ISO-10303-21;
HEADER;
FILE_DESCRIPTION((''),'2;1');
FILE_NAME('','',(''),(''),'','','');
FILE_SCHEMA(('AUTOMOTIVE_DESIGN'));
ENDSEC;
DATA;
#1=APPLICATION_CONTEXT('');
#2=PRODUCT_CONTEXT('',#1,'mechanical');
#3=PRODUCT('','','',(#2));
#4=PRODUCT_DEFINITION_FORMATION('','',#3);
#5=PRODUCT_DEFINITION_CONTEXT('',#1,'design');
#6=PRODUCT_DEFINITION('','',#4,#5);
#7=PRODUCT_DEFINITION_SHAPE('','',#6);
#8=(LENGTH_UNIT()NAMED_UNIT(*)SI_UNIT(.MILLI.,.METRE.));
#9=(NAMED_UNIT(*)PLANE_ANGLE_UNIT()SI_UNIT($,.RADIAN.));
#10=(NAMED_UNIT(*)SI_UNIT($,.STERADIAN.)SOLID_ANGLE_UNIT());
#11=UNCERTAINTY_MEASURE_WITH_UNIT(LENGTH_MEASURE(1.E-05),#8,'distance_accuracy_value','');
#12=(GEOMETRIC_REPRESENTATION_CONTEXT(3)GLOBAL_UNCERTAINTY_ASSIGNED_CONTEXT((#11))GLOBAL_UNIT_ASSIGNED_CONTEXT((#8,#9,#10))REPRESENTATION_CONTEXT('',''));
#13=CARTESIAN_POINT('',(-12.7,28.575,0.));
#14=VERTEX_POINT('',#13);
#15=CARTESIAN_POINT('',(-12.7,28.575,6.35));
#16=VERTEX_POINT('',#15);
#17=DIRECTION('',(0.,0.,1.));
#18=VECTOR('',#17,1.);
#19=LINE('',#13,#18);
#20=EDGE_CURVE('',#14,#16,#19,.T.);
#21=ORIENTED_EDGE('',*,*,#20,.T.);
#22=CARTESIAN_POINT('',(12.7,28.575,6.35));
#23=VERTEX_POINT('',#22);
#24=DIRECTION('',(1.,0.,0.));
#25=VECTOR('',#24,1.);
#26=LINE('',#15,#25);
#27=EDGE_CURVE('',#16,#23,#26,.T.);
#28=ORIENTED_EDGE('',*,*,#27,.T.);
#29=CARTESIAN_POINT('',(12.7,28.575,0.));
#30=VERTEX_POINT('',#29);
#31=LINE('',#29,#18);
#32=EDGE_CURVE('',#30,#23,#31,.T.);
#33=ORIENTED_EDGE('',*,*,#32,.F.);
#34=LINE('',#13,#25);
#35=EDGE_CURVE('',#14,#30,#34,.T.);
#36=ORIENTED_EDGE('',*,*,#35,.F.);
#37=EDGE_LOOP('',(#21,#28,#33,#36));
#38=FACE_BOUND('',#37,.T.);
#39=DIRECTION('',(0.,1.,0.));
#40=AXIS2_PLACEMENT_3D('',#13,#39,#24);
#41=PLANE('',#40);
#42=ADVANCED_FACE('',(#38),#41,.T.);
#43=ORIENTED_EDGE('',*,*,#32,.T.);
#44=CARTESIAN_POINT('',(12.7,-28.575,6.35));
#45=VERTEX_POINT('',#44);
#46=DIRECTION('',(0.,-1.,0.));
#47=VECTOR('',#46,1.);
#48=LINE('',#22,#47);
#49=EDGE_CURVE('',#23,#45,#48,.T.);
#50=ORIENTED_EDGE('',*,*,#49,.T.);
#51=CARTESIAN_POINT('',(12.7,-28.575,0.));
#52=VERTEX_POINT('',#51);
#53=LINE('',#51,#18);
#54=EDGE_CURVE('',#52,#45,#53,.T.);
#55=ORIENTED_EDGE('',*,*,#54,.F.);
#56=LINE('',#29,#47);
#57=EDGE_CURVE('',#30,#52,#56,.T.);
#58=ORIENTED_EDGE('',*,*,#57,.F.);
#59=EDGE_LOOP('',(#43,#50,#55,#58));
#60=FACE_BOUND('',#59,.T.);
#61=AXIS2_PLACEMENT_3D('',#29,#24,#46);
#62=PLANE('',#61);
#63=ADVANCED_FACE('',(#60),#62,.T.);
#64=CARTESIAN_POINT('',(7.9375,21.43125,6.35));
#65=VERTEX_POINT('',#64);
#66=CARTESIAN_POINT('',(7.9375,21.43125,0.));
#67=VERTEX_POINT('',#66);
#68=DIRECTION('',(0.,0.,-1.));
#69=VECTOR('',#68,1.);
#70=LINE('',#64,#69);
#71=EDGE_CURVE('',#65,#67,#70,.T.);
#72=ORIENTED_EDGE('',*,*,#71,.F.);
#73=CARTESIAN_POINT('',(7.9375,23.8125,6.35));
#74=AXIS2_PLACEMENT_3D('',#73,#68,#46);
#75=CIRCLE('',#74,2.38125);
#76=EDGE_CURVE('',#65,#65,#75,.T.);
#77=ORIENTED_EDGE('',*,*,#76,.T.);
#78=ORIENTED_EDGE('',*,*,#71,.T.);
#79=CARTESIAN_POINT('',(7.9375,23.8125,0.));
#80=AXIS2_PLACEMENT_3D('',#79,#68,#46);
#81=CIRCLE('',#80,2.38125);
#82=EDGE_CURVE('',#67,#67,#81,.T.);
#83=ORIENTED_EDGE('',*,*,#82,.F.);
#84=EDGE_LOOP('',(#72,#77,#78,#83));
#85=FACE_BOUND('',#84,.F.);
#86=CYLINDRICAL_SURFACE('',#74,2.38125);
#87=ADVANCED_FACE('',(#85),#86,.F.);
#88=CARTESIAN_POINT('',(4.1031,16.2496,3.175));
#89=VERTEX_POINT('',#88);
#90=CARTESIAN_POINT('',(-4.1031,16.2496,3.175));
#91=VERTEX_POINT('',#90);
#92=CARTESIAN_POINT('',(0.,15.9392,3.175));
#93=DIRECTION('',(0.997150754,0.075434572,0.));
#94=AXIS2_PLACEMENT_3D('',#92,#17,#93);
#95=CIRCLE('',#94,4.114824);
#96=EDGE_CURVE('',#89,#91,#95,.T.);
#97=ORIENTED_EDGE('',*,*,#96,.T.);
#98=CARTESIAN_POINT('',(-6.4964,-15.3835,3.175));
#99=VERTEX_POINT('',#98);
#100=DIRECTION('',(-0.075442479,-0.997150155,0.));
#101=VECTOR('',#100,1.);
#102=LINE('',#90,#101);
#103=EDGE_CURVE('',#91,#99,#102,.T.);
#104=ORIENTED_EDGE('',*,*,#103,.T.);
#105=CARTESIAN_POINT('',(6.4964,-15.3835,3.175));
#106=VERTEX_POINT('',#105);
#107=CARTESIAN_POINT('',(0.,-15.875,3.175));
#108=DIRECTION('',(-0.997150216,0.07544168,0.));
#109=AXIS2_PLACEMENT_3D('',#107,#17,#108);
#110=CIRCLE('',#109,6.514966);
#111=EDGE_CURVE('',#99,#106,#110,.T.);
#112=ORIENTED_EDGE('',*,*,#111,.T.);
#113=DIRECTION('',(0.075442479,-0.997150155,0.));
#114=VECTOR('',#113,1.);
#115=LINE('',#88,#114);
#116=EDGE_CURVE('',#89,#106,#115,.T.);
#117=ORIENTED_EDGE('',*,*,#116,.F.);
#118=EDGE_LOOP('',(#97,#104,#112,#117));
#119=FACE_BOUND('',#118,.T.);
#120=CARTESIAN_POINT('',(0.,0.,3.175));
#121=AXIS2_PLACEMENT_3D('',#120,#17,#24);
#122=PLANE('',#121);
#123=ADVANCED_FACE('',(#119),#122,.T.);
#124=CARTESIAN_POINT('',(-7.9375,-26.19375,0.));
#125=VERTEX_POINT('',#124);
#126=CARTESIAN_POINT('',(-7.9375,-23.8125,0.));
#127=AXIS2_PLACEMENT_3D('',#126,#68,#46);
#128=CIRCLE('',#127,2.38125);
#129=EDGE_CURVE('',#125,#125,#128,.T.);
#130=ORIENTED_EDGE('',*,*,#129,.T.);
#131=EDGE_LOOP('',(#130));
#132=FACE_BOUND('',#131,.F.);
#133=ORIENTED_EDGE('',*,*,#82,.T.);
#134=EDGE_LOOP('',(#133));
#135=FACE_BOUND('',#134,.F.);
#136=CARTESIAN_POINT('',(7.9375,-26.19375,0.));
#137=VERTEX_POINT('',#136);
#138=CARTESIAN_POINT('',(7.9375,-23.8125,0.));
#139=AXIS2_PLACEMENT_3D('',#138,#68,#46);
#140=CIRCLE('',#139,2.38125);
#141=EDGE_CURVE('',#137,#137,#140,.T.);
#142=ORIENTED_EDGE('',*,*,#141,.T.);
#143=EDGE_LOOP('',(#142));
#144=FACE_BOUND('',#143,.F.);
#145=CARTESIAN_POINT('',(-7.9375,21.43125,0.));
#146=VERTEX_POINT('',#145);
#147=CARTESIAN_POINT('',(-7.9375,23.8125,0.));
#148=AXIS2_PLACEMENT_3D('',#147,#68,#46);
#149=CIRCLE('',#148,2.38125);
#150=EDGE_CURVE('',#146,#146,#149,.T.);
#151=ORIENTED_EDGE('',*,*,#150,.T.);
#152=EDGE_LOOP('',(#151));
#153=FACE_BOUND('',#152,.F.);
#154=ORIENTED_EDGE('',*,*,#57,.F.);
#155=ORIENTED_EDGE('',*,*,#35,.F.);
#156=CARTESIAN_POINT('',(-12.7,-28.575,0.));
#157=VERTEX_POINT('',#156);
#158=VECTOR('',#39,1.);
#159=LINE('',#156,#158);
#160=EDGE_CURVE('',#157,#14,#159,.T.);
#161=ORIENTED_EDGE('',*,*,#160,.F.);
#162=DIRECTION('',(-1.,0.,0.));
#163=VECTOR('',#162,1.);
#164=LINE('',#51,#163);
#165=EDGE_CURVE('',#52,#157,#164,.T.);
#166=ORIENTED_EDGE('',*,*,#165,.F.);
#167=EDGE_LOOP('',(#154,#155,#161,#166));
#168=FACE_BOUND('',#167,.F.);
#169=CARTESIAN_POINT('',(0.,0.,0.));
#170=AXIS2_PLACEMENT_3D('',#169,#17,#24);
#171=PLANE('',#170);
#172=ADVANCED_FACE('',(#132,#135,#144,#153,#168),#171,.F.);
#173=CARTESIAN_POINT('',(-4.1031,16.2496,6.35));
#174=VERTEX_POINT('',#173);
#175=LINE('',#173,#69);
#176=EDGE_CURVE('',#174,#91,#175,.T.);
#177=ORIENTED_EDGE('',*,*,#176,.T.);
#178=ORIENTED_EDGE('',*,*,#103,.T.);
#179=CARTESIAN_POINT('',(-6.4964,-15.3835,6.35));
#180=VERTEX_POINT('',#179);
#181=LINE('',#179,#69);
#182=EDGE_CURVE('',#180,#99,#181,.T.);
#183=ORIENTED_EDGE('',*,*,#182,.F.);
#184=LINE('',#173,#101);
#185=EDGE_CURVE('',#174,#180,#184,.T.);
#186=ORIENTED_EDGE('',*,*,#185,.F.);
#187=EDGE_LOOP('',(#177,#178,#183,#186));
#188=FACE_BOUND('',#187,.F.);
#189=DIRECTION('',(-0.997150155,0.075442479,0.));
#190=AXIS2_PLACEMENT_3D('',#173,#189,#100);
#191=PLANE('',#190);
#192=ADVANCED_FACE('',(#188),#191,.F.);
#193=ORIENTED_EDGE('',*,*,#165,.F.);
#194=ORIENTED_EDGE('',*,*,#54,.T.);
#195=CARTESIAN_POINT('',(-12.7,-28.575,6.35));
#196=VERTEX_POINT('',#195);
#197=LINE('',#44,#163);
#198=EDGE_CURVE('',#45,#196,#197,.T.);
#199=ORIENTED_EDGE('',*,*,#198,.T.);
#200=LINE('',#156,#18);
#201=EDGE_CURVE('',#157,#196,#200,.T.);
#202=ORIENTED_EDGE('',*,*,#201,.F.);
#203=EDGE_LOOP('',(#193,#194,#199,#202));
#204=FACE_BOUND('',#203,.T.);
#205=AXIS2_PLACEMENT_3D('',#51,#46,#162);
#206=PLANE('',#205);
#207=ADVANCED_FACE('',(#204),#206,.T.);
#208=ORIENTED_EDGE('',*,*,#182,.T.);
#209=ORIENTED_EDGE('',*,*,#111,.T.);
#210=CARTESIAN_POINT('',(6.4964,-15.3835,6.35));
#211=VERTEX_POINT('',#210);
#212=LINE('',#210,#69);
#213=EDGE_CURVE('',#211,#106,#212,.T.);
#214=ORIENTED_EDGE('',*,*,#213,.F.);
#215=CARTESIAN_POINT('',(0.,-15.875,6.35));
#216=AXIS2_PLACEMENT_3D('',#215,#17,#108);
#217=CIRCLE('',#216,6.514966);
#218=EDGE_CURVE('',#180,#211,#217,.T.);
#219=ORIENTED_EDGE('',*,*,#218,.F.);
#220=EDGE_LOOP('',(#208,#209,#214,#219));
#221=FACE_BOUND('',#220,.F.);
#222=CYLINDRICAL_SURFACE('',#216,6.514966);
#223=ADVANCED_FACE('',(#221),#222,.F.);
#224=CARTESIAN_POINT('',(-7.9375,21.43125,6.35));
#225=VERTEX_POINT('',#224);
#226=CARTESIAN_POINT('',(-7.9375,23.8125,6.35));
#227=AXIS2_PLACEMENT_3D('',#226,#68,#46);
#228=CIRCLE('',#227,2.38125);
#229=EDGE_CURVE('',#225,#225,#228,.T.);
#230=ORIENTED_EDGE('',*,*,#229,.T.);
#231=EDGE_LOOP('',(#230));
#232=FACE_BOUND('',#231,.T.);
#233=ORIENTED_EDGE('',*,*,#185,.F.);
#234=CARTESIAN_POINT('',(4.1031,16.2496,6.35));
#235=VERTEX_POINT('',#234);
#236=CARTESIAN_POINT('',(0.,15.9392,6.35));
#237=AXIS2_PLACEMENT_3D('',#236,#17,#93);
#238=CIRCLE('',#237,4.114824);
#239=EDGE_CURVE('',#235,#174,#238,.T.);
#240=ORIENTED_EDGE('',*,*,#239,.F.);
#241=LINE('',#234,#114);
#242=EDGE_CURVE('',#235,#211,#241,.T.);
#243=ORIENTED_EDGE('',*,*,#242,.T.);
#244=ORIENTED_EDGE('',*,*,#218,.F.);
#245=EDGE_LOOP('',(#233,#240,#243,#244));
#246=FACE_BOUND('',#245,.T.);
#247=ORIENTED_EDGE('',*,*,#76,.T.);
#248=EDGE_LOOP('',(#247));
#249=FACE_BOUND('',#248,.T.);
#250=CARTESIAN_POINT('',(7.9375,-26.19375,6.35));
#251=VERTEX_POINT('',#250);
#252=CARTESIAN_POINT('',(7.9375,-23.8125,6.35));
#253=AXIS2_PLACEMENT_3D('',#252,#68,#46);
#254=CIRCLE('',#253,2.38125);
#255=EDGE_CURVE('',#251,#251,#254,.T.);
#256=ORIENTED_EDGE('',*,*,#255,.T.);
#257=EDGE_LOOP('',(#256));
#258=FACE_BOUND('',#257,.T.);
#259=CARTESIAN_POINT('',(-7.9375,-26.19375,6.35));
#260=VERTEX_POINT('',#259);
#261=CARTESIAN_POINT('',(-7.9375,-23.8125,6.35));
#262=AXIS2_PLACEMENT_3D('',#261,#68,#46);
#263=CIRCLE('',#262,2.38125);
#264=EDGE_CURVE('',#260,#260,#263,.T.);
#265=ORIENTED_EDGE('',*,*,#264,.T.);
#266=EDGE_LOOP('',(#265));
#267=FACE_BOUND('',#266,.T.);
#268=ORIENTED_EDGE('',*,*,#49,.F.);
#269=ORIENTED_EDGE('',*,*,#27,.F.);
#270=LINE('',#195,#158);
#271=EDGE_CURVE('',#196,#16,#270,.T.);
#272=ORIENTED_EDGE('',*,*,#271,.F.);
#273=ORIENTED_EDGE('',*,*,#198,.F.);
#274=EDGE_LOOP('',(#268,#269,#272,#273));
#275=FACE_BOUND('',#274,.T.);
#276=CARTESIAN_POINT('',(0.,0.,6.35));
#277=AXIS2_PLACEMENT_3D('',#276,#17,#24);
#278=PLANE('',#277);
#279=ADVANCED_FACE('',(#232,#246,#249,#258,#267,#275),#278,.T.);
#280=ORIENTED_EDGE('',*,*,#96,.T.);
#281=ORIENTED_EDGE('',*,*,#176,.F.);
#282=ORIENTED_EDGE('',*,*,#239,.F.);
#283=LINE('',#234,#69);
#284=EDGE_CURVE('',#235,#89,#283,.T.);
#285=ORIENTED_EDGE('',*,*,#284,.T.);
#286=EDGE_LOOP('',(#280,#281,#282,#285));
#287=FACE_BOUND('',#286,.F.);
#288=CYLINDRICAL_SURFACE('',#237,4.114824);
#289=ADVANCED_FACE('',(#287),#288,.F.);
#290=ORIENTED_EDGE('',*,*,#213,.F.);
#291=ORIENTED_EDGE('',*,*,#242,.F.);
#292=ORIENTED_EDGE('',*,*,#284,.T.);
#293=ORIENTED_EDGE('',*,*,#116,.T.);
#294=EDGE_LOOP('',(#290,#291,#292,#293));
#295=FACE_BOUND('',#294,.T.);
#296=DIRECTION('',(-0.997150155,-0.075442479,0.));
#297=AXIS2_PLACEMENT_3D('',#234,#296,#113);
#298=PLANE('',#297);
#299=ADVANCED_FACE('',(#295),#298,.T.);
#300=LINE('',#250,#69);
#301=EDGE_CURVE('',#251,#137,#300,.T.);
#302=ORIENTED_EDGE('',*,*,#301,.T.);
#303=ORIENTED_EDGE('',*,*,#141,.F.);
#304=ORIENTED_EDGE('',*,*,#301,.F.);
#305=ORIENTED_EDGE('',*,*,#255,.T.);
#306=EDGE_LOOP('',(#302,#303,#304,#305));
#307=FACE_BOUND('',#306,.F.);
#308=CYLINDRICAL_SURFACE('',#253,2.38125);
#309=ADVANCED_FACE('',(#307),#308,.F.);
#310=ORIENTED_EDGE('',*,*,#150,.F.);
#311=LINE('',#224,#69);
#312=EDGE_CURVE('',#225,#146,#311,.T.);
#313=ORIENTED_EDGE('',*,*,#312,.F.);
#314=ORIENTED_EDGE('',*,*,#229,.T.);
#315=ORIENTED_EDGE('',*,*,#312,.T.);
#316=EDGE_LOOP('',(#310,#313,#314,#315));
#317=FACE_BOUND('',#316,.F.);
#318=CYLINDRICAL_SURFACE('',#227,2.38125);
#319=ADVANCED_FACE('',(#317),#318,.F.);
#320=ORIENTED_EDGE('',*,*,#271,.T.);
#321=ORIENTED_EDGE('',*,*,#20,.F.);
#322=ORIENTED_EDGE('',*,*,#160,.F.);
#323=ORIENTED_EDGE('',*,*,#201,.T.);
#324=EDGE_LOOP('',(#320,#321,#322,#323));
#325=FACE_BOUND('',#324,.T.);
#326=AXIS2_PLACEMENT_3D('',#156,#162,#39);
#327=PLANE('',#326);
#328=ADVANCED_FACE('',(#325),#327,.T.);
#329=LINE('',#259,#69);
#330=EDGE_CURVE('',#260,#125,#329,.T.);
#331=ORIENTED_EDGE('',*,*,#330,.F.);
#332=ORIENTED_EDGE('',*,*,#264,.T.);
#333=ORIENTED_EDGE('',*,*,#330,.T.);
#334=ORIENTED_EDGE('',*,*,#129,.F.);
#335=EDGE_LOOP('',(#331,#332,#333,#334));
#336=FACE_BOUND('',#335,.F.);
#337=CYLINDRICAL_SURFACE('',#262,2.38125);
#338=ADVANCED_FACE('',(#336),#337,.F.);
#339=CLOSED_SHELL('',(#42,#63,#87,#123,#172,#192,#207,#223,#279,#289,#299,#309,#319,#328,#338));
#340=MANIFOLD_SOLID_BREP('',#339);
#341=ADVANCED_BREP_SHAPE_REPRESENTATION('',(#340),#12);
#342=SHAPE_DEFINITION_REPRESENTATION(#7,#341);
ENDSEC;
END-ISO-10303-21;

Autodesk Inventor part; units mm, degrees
ref_plane "YZ Plane" through (0, 0, 0) normal (1, 0, 0) x (0, 1, 0)
ref_plane "XZ Plane" through (0, 0, 0) normal (0, 1, 0) x (-1, 0, 0)
ref_plane "XY Plane" through (0, 0, 0) normal (0, 0, 1) x (1, 0, 0)
sketch "Sketch1" plane through (0, 0, 0) normal (0, 0, 1) x (1, 0, 0)
  line L0 (-12.7, 28.575) -> (12.7, 28.575)
  line L1 (12.7, 28.575) -> (12.7, -28.575)
  line L2 (12.7, -28.575) -> (-12.7, -28.575)
  line L3 (-12.7, -28.575) -> (-12.7, 28.575)
  point P0 (0, 0)
  point P1 (12.7, 0)
  point P2 (0, 28.575)
  dimension "d0" = 25.4
  dimension "d1" = 57.15
extrude "Extrusion1" add sketch "Sketch1" along normal blind 6.35
sketch "Sketch2" plane through (0, 0, 6.35) normal (0, 0, 1) x (1, 0, 0)
  arc A0 (-6.4964, -15.3835) -> (6.4964, -15.3835) centre (0, -15.875) ccw
  arc A1 (4.1031, 16.2496) -> (-4.1031, 16.2496) centre (0, 15.9392) ccw
  line L0 (4.1031, 16.2496) -> (6.4964, -15.3835)
  line L1 (-4.1031, 16.2496) -> (-6.4964, -15.3835)
  line L2 (-12.7, -28.575) -> (12.7, -28.575) projected
  line L3 (12.7, -28.575) -> (12.7, 28.575) projected
  dimension "d12" = 4.1148
  dimension "d13" = 6.515
  dimension "d18" = 4.327
  dimension "d23" = 12.7
  dimension "d54" = 31.8142
  dimension "d55" = 6.185
extrude "Extrusion2" cut sketch "Sketch2" against normal blind 3.175
sketch "Sketch4" plane through (0, 0, 6.35) normal (0, 0, 1) x (1, 0, 0)
  line L0 (7.9375, 23.8125) -> (-7.9375, 23.8125)
  line L1 (-7.9375, 23.8125) -> (-7.9375, -23.8125)
  line L2 (-7.9375, -23.8125) -> (7.9375, -23.8125)
  line L3 (7.9375, -23.8125) -> (7.9375, 23.8125)
  line L4 (12.7, 28.575) -> (12.7, -28.575) projected
  line L5 (-12.7, -28.575) -> (12.7, -28.575) projected
  point P0 (0, 0)
  dimension "d42" = 4.7625
  dimension "d43" = 4.7625
  dimension "d44" = 47.625
  dimension "d45" = 15.875
hole "Hole1" at (7.9375, 23.8125, 6.35) at (-7.9375, 23.8125, 6.35) at (-7.9375, -23.8125, 6.35) at (7.9375, -23.8125, 6.35) direction (0, 0, -1) diameter 4.7625 end through all
equation "\"d0\" = plate_width"
equation "\"d1\" = plate_height"
equation "\"d23\" = 0.5 * plate_width"
equation "\"d54\" = slot_centers"
equation "\"d42\" = hole_dist"
equation "\"d43\" = hole_dist"
equation "\"d44\" = plate_height - 2 * hole_dist"
equation "\"d45\" = plate_width - 2 * hole_dist"
equation "\"d46\" = hole_dia"
equation "\"plate_width\" = 25.4"
equation "\"plate_height\" = 57.15"
equation "\"slot_centers\" = 31.81417"
equation "\"hole_dia\" = 4.7625"
equation "\"hole_dist\" = 4.7625"
properties part number "ServoHornHolder"
